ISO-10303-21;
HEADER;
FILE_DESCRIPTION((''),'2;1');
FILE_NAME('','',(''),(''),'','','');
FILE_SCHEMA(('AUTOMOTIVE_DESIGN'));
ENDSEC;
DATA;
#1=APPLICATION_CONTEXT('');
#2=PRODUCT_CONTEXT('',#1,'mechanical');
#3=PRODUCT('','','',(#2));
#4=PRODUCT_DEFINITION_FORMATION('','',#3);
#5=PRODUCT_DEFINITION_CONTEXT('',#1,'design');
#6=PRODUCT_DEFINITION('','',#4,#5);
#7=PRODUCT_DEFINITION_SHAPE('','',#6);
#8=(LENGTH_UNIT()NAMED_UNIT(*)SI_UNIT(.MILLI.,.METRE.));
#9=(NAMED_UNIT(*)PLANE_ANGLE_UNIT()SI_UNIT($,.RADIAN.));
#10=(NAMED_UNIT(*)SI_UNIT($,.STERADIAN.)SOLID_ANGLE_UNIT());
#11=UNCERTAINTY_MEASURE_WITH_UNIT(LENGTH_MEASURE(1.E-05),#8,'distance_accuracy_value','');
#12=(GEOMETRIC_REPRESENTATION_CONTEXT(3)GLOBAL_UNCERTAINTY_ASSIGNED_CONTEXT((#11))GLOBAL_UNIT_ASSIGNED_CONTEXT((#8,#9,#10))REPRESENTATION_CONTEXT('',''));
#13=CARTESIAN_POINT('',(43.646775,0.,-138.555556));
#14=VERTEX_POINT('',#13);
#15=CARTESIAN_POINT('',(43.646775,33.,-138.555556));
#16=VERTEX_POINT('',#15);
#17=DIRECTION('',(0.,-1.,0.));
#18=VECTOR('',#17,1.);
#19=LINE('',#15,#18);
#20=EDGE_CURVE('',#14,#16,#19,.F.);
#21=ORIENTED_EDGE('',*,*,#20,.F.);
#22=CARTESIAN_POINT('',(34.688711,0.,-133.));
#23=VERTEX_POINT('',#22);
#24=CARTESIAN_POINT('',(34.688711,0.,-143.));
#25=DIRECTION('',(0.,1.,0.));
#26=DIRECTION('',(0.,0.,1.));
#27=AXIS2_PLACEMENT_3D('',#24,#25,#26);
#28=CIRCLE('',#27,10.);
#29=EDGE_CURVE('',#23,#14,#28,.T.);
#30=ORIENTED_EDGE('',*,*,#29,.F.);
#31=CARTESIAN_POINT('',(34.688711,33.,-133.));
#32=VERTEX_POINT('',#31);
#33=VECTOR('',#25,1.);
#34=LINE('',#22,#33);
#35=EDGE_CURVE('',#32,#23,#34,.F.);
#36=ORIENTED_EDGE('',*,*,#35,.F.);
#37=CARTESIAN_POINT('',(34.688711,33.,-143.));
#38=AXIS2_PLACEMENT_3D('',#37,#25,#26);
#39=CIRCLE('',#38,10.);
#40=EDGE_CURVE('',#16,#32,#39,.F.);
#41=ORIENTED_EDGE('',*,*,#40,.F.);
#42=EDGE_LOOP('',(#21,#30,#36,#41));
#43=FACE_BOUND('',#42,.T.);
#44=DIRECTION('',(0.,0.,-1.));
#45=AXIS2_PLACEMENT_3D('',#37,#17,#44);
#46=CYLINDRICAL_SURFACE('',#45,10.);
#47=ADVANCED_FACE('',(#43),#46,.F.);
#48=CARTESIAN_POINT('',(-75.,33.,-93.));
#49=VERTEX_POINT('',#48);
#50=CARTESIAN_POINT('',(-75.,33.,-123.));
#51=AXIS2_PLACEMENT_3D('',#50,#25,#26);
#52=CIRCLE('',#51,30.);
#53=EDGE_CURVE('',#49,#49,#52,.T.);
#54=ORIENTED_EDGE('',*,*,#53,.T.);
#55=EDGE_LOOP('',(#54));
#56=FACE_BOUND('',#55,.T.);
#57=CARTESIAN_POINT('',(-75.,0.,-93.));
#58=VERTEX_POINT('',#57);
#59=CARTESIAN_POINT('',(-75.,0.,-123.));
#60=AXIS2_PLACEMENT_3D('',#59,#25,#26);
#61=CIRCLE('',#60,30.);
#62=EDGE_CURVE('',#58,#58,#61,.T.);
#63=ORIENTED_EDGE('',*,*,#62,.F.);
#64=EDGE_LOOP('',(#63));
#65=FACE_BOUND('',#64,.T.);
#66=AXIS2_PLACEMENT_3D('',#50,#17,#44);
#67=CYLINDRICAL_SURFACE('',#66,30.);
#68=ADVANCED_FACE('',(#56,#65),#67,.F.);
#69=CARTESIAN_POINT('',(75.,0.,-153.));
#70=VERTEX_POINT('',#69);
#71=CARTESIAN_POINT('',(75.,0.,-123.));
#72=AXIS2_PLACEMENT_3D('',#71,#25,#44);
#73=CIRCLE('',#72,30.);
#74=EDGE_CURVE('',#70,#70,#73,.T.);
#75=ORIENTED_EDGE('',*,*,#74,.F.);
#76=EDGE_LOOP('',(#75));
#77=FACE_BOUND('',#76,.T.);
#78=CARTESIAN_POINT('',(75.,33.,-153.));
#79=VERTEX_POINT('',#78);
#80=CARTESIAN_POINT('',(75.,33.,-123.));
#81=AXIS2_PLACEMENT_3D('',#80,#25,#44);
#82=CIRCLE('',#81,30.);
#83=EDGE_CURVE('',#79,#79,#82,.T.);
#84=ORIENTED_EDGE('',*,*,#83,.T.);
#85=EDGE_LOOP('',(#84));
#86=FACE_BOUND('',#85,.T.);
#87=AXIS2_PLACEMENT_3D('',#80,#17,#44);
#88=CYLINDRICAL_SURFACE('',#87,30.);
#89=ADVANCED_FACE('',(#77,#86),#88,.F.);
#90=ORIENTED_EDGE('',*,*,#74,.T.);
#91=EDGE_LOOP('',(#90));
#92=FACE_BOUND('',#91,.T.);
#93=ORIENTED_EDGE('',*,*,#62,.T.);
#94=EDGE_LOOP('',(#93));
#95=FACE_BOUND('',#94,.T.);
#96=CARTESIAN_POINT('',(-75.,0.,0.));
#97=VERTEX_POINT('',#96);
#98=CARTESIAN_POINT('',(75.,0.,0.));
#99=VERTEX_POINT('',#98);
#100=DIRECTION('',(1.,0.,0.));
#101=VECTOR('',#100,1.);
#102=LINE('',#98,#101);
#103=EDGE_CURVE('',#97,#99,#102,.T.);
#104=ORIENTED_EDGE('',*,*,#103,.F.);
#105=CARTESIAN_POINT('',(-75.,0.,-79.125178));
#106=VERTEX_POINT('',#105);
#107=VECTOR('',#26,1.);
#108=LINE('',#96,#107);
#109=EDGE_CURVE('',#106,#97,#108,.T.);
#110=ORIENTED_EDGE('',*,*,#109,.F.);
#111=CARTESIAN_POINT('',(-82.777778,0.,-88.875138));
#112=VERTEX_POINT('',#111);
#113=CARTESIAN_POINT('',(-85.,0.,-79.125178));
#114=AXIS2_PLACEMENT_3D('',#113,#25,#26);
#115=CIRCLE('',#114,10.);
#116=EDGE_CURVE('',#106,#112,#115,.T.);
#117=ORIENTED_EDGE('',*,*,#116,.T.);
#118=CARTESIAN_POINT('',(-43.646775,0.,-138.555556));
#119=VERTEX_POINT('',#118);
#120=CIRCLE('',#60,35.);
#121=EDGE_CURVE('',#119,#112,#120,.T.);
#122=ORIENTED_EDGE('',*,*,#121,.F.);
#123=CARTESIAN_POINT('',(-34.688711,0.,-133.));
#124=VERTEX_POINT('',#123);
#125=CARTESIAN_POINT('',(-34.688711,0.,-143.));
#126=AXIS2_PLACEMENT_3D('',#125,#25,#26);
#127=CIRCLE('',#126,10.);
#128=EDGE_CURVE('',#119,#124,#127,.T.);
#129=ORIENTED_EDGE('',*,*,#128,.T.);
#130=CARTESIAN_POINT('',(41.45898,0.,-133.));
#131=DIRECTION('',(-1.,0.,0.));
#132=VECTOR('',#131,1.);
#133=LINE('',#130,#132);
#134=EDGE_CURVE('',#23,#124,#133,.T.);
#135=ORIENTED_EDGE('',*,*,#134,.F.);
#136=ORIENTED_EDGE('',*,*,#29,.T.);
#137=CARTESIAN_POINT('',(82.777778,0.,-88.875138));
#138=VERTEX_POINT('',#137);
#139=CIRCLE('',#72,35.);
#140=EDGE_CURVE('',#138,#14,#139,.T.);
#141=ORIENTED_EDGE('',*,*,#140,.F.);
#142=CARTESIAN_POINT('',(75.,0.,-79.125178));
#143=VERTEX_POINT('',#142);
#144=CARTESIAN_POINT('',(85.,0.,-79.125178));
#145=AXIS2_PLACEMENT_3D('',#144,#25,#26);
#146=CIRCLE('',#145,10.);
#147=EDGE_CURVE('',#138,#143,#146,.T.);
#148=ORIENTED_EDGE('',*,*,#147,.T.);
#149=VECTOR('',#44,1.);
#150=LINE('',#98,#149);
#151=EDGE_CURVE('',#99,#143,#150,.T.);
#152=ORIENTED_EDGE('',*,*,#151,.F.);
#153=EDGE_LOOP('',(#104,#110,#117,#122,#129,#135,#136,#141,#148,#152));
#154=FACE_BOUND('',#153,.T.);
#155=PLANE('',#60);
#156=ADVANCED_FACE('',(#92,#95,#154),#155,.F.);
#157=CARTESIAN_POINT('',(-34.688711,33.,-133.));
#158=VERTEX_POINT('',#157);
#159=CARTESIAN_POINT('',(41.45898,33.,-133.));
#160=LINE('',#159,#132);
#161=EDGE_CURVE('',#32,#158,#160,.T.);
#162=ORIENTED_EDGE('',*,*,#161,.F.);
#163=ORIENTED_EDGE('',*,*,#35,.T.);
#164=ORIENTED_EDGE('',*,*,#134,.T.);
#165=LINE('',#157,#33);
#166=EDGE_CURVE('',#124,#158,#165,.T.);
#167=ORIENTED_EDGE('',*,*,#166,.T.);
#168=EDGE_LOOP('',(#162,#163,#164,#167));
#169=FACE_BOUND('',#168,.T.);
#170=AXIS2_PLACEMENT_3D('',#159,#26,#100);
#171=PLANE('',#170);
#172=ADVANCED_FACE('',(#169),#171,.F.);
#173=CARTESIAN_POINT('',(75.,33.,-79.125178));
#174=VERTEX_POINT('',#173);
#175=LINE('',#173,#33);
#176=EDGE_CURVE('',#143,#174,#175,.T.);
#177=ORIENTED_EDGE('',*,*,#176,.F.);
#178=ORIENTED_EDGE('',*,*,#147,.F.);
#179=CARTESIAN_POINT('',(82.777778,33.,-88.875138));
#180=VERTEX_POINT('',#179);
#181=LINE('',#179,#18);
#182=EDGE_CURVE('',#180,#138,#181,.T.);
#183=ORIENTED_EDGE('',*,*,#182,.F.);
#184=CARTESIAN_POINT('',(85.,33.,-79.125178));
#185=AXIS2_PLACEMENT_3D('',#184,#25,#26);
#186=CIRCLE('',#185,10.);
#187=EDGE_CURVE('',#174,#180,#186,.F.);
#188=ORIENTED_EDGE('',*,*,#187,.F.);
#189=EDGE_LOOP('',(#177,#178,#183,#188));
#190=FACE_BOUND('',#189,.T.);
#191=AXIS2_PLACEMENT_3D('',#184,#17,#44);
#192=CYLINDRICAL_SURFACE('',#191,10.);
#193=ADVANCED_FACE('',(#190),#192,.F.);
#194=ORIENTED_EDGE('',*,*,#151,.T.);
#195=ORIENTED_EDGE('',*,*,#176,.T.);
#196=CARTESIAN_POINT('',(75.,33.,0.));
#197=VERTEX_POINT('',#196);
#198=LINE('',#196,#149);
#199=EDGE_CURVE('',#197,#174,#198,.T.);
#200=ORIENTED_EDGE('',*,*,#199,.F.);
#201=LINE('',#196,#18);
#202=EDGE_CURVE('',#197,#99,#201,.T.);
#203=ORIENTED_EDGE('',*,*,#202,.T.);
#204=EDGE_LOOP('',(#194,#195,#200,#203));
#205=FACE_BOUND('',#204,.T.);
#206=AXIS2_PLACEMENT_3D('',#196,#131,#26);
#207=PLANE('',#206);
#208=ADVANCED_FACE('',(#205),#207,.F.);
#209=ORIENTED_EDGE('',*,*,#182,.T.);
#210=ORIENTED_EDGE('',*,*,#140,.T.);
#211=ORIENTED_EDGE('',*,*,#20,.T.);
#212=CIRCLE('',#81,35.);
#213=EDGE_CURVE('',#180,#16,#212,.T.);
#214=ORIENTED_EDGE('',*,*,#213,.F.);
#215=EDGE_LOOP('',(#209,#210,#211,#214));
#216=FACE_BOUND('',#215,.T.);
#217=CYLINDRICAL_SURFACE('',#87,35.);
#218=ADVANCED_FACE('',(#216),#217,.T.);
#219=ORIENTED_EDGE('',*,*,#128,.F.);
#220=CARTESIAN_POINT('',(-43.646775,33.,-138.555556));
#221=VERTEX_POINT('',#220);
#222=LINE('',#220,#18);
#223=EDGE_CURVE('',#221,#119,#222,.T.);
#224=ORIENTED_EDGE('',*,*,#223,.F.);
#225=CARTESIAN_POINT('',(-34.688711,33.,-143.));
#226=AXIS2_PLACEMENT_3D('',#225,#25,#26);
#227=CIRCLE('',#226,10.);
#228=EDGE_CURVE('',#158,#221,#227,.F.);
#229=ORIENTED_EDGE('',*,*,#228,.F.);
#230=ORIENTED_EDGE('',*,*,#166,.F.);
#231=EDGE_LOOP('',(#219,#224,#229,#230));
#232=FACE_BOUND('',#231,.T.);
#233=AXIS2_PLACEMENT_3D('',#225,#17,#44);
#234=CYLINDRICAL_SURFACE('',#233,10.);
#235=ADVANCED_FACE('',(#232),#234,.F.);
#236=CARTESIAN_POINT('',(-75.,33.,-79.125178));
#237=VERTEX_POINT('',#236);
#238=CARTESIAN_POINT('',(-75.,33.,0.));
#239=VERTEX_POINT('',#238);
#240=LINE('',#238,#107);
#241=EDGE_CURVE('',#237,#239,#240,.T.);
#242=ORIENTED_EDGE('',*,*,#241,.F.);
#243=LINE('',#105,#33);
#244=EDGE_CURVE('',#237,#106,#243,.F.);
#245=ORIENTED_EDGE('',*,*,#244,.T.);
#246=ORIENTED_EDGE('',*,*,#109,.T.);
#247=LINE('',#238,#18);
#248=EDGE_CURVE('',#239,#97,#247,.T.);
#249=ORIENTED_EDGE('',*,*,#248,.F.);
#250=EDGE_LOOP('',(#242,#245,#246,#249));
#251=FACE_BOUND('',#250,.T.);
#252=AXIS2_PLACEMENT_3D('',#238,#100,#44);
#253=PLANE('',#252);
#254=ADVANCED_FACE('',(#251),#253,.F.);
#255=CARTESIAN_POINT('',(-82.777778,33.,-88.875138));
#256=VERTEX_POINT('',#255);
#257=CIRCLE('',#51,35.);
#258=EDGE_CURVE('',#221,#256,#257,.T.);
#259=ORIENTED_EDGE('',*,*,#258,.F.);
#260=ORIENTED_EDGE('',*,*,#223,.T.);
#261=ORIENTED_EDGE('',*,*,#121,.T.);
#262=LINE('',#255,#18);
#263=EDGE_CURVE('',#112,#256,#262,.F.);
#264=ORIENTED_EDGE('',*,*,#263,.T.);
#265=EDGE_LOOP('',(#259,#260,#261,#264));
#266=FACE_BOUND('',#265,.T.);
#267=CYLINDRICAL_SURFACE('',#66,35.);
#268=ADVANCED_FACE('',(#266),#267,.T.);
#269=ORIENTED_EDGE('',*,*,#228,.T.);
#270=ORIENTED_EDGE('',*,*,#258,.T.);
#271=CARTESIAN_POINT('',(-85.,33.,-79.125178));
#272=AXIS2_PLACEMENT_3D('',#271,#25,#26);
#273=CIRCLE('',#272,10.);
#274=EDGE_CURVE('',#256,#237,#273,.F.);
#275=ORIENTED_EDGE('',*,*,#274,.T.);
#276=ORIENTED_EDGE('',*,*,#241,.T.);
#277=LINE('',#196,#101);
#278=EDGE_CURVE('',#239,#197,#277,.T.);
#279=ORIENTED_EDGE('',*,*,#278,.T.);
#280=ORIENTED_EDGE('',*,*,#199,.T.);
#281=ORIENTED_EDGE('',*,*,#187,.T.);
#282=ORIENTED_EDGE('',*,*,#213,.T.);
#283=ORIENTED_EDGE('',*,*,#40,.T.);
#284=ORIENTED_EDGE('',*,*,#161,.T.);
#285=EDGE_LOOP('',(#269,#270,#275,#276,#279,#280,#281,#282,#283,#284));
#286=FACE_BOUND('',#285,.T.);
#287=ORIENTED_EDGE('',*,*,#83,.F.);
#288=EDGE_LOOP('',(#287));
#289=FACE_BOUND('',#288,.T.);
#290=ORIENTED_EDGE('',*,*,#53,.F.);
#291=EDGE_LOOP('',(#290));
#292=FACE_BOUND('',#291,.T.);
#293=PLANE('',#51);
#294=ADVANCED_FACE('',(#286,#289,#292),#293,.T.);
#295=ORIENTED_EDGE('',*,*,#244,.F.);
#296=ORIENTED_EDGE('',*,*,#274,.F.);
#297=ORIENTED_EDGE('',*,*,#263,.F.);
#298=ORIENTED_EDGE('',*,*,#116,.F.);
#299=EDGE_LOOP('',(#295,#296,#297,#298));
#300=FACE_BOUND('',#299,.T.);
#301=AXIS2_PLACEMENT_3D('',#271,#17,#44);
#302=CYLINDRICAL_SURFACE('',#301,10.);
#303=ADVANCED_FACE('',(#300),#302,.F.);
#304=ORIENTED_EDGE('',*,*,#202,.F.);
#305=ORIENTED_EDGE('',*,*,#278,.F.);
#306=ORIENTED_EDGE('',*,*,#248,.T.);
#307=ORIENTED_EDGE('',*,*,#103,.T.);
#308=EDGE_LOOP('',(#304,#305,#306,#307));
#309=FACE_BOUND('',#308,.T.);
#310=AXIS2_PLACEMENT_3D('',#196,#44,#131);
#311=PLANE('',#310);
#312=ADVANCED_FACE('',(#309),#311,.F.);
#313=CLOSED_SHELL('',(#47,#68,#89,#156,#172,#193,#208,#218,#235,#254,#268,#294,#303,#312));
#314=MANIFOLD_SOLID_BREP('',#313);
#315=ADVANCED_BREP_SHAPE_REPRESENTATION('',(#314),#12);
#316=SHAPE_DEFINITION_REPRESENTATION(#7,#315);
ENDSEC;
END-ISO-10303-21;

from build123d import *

# Parameters (mm, degrees)
SKETCH1_R           = 30
BOSS_EXTRUDE1_DEPTH = 33
FILLET1_R           = 10


with BuildPart() as part:
    # Sketch1 → Boss-Extrude1 (new body)
    with BuildSketch(Plane(origin=(0, 0, 0), x_dir=(1, 0, 0), z_dir=(0, 1, 0))):
        with BuildLine():
            Line((75, 0), (-75, 0))
            Line((-75, 0), (-75, 88))
            ThreePointArc((-75, 88), (-103.062430401, 143.916500663), (-41.458980338, 133))
            Line((-41.458980338, 133), (41.458980338, 133))
            ThreePointArc((41.458980338, 133), (103.062430401, 143.916500663), (75, 88))
            Line((75, 88), (75, 0))
        make_face()
        with Locations((-75, 123)):
            Circle(SKETCH1_R, mode=Mode.SUBTRACT)
        with Locations((75, 123)):
            Circle(SKETCH1_R, mode=Mode.SUBTRACT)
    extrude(amount=BOSS_EXTRUDE1_DEPTH)

    # Fillet1
    fillet1_edges = [part.edges().sort_by_distance(p)[0] for p in [
        (-75, 16.5, -88),
        (-41.458980338, 16.5, -133),
        (41.458980338, 16.5, -133),
        (75, 16.5, -88),
    ]]
    fillet(fillet1_edges, radius=FILLET1_R)


solid = part.part
